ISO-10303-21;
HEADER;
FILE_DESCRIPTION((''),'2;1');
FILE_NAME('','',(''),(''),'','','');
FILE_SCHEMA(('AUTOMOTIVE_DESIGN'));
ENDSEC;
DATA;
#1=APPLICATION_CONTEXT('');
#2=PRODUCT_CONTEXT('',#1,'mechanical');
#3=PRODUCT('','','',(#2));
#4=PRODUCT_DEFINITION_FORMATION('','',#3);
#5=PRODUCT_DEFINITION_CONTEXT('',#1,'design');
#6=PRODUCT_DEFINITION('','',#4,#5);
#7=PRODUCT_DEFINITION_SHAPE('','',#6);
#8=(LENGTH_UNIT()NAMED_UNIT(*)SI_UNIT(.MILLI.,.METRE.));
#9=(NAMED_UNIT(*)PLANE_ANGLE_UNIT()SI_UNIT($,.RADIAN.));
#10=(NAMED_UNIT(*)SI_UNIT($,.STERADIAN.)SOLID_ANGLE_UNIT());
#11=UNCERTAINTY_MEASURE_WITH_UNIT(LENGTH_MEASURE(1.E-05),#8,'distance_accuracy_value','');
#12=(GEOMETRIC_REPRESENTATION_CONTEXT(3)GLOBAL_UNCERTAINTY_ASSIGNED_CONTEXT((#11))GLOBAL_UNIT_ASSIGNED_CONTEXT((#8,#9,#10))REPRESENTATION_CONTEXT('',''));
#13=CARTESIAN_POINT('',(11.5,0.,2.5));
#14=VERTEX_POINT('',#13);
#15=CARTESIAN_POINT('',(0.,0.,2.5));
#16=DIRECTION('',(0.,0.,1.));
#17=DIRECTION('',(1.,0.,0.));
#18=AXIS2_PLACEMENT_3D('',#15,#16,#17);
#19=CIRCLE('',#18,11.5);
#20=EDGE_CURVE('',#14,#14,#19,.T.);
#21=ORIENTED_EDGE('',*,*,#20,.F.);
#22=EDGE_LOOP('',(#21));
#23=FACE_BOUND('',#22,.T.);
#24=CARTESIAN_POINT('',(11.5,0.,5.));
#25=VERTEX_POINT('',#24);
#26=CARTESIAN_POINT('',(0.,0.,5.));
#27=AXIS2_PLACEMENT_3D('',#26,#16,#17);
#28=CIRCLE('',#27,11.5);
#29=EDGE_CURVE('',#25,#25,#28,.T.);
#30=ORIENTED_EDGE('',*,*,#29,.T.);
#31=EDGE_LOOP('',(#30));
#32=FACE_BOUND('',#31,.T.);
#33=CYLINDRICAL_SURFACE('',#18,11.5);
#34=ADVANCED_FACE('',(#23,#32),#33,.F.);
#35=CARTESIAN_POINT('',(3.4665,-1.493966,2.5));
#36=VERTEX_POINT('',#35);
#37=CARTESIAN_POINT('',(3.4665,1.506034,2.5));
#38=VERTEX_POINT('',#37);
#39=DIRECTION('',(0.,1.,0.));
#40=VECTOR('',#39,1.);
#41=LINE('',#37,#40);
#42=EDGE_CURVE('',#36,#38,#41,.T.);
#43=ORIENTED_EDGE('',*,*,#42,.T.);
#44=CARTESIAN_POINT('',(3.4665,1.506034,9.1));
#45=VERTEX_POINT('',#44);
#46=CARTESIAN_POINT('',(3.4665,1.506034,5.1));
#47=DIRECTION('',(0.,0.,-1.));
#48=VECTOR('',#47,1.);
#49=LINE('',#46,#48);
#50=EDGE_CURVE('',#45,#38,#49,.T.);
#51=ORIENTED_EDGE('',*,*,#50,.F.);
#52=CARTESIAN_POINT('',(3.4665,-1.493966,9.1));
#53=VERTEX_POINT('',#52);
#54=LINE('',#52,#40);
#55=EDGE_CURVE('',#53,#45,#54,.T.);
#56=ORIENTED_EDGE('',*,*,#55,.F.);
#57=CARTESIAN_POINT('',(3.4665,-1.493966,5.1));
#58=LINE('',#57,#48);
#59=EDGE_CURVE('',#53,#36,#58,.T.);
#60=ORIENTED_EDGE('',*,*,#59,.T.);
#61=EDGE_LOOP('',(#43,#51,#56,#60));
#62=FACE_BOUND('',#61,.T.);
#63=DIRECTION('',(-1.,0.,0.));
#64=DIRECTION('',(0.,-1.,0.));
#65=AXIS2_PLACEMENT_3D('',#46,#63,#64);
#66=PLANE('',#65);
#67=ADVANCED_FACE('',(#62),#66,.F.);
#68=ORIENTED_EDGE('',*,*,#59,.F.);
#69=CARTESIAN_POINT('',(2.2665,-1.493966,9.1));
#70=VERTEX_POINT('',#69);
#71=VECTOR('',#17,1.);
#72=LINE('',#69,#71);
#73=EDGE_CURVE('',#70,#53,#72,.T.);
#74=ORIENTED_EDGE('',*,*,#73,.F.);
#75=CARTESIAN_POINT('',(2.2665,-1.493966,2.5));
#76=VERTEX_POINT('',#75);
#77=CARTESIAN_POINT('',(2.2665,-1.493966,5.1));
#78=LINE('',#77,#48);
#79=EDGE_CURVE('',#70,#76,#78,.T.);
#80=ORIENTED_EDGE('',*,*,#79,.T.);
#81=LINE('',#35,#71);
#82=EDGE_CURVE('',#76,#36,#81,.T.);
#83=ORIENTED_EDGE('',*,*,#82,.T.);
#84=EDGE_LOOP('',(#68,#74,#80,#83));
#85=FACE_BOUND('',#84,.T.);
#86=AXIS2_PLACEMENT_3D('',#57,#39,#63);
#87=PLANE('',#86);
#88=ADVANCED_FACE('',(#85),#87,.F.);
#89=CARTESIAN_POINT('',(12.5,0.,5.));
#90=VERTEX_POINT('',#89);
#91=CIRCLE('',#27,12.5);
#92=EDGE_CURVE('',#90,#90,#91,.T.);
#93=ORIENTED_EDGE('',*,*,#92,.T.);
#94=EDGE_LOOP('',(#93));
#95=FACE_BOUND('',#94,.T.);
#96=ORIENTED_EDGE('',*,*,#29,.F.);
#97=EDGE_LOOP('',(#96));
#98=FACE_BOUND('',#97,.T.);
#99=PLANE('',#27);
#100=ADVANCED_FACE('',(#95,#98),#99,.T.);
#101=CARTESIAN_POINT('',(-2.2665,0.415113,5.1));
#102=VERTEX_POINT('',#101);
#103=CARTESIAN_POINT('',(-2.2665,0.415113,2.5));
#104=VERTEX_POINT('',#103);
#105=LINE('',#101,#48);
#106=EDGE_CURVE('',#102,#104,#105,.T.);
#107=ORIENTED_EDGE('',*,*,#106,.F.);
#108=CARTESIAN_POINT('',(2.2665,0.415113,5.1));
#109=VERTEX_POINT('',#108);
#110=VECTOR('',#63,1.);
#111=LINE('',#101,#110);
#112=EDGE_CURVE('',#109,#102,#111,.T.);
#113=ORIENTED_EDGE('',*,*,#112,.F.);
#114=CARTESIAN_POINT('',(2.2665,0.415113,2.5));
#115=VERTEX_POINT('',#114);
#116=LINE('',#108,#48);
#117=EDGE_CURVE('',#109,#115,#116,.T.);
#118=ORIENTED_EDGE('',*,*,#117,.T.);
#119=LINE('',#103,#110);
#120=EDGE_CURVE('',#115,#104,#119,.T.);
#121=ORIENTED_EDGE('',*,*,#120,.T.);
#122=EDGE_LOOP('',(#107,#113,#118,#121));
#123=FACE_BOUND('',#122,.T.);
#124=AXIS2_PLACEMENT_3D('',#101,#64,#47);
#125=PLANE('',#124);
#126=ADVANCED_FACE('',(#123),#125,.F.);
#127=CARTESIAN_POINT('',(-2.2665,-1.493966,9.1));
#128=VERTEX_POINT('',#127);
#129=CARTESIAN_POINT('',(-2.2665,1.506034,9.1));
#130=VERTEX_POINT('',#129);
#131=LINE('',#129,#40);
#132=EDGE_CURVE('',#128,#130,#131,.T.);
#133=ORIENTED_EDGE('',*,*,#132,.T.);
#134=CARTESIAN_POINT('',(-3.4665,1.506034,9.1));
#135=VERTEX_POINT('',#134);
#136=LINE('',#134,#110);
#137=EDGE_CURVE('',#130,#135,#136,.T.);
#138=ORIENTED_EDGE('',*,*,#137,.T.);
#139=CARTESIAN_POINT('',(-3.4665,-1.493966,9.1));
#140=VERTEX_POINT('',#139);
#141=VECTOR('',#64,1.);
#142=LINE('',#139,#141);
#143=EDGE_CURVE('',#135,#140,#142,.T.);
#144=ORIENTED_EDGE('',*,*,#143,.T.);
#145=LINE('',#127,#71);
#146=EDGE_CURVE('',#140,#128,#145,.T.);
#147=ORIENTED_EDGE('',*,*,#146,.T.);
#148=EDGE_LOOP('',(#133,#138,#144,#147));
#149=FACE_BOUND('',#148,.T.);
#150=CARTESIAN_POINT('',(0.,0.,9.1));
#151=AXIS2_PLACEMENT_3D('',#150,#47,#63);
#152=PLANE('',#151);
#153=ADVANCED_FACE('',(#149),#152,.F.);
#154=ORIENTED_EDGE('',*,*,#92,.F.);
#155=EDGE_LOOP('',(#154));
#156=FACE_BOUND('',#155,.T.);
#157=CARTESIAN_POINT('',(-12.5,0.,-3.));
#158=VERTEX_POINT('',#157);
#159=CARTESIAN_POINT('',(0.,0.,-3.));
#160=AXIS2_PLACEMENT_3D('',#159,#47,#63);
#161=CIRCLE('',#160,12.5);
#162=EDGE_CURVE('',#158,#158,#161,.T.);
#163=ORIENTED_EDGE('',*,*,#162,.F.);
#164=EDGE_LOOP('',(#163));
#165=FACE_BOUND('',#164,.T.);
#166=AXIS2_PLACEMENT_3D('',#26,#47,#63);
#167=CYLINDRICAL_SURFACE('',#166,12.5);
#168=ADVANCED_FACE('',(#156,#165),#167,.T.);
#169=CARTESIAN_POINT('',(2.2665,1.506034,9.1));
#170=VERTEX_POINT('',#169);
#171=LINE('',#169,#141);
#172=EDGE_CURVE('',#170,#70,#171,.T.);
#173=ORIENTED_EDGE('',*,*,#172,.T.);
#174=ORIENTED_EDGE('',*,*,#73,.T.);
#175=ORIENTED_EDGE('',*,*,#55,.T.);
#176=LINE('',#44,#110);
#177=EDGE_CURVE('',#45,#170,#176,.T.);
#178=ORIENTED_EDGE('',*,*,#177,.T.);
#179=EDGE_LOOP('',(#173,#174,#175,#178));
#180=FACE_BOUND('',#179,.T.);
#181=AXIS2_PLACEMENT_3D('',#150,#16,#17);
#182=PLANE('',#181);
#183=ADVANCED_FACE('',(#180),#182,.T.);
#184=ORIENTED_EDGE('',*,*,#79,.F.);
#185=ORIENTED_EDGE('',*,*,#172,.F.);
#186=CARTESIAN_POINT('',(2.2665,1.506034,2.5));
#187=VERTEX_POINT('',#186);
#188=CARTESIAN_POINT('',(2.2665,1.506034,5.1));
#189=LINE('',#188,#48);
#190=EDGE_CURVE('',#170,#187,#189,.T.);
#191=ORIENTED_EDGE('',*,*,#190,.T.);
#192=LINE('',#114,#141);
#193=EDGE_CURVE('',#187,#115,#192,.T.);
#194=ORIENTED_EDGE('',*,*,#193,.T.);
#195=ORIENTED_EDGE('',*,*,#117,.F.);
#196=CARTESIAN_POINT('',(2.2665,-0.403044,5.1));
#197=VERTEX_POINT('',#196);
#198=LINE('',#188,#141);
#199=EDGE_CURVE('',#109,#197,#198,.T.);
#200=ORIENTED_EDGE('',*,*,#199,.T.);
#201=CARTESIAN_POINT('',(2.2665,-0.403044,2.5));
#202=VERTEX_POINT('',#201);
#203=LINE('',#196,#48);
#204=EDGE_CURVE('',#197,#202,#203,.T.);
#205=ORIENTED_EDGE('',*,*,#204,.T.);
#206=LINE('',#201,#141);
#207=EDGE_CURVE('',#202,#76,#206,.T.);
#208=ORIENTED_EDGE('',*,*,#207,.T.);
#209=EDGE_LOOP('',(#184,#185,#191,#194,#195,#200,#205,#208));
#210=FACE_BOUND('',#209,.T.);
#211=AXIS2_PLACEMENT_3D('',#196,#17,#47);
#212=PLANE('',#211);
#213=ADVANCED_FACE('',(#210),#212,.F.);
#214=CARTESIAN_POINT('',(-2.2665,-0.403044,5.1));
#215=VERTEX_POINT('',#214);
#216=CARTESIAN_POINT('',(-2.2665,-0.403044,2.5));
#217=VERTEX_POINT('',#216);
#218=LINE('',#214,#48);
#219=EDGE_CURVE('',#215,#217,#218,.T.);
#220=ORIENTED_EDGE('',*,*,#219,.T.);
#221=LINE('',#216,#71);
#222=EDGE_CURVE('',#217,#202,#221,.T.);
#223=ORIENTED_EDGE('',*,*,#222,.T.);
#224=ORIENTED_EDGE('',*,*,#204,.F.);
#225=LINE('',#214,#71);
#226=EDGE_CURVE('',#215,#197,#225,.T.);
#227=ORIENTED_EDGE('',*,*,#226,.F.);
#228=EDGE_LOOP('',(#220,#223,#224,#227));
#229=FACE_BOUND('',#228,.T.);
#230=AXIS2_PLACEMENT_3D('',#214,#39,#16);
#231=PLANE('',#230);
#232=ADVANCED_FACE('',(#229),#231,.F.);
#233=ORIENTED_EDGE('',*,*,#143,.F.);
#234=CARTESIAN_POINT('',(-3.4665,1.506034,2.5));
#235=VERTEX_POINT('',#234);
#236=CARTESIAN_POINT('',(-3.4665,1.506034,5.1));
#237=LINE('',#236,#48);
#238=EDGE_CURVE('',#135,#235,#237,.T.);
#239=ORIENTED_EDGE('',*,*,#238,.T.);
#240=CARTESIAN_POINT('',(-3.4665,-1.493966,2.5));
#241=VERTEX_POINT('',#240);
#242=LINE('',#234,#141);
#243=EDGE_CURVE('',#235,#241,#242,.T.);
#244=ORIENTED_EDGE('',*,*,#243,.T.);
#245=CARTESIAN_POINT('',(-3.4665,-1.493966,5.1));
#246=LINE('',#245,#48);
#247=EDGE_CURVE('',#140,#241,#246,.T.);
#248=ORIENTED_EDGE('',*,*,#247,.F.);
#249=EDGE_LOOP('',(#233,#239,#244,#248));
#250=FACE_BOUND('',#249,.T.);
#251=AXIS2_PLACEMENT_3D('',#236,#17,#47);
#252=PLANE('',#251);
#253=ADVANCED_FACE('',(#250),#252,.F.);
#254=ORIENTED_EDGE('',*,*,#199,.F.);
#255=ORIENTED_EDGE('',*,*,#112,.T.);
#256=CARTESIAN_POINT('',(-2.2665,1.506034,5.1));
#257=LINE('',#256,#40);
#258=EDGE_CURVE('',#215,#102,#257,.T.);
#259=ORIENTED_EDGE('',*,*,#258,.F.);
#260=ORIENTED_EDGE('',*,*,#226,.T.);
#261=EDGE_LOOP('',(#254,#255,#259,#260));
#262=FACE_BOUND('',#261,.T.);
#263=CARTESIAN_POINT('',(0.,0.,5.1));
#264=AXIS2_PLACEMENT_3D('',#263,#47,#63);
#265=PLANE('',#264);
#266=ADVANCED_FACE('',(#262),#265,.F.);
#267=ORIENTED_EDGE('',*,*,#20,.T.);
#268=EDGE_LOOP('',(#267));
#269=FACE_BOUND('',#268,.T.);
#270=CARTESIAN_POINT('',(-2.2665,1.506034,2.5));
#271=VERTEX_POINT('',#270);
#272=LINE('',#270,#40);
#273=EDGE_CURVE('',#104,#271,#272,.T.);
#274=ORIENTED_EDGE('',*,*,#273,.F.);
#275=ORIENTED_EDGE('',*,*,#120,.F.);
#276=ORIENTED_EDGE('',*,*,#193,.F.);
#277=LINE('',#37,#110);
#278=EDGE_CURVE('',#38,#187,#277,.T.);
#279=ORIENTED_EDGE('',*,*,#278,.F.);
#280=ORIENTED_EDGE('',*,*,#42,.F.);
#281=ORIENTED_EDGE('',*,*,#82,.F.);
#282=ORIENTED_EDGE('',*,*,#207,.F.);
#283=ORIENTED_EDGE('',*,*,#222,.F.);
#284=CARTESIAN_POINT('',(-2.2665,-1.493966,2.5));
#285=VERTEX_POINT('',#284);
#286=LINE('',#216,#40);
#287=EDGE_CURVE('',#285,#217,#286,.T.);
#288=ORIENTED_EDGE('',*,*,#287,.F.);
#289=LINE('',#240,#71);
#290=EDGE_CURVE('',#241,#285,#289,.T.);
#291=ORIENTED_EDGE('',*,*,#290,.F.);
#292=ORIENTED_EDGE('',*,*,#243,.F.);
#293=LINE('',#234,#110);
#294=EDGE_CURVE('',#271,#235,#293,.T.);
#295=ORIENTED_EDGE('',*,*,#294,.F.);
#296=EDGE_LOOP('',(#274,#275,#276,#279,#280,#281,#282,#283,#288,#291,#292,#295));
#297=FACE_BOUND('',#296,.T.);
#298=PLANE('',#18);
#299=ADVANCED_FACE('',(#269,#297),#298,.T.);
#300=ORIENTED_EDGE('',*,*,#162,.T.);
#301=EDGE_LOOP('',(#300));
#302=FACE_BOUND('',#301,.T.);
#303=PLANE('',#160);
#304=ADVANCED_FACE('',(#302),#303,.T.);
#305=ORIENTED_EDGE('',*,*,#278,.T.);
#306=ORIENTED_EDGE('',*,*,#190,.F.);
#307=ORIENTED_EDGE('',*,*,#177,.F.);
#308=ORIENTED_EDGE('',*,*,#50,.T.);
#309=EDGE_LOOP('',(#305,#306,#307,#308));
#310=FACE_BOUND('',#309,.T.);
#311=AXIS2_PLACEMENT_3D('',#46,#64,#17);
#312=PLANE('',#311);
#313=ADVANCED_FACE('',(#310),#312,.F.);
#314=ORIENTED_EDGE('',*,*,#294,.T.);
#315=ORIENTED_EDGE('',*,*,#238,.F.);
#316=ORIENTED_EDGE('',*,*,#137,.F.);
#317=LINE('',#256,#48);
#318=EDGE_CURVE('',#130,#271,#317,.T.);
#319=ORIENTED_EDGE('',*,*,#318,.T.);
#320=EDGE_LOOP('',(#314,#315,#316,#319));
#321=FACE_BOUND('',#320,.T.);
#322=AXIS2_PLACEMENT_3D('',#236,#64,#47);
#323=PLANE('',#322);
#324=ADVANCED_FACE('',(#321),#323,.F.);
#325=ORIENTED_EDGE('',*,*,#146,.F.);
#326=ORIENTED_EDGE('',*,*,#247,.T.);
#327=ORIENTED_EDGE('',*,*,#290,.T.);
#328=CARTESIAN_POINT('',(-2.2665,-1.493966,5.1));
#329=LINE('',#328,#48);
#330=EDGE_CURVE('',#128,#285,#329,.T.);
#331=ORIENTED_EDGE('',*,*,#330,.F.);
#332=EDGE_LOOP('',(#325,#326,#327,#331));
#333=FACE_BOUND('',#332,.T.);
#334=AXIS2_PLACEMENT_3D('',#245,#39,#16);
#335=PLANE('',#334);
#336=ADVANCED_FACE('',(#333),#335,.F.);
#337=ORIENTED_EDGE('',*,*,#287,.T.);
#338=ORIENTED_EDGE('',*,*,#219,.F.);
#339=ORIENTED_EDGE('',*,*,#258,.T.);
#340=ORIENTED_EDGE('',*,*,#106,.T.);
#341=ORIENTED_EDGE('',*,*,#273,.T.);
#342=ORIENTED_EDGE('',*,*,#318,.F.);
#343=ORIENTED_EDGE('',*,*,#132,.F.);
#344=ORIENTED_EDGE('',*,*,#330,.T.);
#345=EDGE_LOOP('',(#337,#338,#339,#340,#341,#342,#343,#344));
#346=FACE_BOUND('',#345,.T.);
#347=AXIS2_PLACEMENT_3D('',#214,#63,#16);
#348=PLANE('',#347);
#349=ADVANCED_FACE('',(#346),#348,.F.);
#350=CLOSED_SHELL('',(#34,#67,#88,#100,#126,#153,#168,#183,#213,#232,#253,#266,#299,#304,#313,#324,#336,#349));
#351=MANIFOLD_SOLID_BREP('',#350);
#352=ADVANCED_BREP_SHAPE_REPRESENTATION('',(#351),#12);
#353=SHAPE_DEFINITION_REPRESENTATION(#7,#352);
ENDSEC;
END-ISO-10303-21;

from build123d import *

# Parameters (mm, degrees)
SKETCH1_R           = 12.5
BOSS_EXTRUDE1_DEPTH = 5
SKETCH2_R           = 11.5
CUT_EXTRUDE1_DEPTH  = 2.5
BOSS_EXTRUDE2_DEPTH = 2.6
SKETCH4_W           = 1.2
SKETCH4_H           = 3
BOSS_EXTRUDE3_DEPTH = 4
BOSS_EXTRUDE4_START = 3
SKETCH5_R           = 12.5
BOSS_EXTRUDE4_DEPTH = 3


with BuildPart() as part:
    # Sketch1 → Boss-Extrude1 (new body)
    with BuildSketch(Plane.XY):
        Circle(SKETCH1_R)
    extrude(amount=BOSS_EXTRUDE1_DEPTH)

    # Sketch2 → Cut-Extrude1 (cut)
    with BuildSketch(Plane.XY.offset(5)):
        Circle(SKETCH2_R)
    extrude(amount=-CUT_EXTRUDE1_DEPTH, mode=Mode.SUBTRACT)

    # Sketch3 → Boss-Extrude2 (add)
    with BuildSketch(Plane.XY.offset(2.5)):
        Polygon((-2.2665, 0.415113025), (2.2665, 0.415113025), (2.2665, 1.506034439), (3.4665, 1.506034439), (3.4665, -1.493965561), (2.2665, -1.493965561), (2.2665, -0.403044147), (-2.2665, -0.403044147), (-2.2665, -1.493965561), (-3.4665, -1.493965561), (-3.4665, 1.506034439), (-2.2665, 1.506034439), align=None)
    extrude(amount=BOSS_EXTRUDE2_DEPTH)

    # Sketch4 → Boss-Extrude3 (add)
    with BuildSketch(Plane.XY.offset(5.1)):
        with Locations((-2.8665, 0.006034439)):
            Rectangle(SKETCH4_W, SKETCH4_H)
        with Locations((2.8665, 0.006034439)):
            Rectangle(SKETCH4_W, SKETCH4_H)
    extrude(amount=BOSS_EXTRUDE3_DEPTH)

    # Sketch5 → Boss-Extrude4 (add)
    with BuildSketch(Plane(origin=(0, 0, 0), x_dir=(-1, 0, 0), z_dir=(0, 0, -1)).offset(BOSS_EXTRUDE4_START)):
        Circle(SKETCH5_R)
    extrude(amount=-BOSS_EXTRUDE4_DEPTH)


solid = part.part
